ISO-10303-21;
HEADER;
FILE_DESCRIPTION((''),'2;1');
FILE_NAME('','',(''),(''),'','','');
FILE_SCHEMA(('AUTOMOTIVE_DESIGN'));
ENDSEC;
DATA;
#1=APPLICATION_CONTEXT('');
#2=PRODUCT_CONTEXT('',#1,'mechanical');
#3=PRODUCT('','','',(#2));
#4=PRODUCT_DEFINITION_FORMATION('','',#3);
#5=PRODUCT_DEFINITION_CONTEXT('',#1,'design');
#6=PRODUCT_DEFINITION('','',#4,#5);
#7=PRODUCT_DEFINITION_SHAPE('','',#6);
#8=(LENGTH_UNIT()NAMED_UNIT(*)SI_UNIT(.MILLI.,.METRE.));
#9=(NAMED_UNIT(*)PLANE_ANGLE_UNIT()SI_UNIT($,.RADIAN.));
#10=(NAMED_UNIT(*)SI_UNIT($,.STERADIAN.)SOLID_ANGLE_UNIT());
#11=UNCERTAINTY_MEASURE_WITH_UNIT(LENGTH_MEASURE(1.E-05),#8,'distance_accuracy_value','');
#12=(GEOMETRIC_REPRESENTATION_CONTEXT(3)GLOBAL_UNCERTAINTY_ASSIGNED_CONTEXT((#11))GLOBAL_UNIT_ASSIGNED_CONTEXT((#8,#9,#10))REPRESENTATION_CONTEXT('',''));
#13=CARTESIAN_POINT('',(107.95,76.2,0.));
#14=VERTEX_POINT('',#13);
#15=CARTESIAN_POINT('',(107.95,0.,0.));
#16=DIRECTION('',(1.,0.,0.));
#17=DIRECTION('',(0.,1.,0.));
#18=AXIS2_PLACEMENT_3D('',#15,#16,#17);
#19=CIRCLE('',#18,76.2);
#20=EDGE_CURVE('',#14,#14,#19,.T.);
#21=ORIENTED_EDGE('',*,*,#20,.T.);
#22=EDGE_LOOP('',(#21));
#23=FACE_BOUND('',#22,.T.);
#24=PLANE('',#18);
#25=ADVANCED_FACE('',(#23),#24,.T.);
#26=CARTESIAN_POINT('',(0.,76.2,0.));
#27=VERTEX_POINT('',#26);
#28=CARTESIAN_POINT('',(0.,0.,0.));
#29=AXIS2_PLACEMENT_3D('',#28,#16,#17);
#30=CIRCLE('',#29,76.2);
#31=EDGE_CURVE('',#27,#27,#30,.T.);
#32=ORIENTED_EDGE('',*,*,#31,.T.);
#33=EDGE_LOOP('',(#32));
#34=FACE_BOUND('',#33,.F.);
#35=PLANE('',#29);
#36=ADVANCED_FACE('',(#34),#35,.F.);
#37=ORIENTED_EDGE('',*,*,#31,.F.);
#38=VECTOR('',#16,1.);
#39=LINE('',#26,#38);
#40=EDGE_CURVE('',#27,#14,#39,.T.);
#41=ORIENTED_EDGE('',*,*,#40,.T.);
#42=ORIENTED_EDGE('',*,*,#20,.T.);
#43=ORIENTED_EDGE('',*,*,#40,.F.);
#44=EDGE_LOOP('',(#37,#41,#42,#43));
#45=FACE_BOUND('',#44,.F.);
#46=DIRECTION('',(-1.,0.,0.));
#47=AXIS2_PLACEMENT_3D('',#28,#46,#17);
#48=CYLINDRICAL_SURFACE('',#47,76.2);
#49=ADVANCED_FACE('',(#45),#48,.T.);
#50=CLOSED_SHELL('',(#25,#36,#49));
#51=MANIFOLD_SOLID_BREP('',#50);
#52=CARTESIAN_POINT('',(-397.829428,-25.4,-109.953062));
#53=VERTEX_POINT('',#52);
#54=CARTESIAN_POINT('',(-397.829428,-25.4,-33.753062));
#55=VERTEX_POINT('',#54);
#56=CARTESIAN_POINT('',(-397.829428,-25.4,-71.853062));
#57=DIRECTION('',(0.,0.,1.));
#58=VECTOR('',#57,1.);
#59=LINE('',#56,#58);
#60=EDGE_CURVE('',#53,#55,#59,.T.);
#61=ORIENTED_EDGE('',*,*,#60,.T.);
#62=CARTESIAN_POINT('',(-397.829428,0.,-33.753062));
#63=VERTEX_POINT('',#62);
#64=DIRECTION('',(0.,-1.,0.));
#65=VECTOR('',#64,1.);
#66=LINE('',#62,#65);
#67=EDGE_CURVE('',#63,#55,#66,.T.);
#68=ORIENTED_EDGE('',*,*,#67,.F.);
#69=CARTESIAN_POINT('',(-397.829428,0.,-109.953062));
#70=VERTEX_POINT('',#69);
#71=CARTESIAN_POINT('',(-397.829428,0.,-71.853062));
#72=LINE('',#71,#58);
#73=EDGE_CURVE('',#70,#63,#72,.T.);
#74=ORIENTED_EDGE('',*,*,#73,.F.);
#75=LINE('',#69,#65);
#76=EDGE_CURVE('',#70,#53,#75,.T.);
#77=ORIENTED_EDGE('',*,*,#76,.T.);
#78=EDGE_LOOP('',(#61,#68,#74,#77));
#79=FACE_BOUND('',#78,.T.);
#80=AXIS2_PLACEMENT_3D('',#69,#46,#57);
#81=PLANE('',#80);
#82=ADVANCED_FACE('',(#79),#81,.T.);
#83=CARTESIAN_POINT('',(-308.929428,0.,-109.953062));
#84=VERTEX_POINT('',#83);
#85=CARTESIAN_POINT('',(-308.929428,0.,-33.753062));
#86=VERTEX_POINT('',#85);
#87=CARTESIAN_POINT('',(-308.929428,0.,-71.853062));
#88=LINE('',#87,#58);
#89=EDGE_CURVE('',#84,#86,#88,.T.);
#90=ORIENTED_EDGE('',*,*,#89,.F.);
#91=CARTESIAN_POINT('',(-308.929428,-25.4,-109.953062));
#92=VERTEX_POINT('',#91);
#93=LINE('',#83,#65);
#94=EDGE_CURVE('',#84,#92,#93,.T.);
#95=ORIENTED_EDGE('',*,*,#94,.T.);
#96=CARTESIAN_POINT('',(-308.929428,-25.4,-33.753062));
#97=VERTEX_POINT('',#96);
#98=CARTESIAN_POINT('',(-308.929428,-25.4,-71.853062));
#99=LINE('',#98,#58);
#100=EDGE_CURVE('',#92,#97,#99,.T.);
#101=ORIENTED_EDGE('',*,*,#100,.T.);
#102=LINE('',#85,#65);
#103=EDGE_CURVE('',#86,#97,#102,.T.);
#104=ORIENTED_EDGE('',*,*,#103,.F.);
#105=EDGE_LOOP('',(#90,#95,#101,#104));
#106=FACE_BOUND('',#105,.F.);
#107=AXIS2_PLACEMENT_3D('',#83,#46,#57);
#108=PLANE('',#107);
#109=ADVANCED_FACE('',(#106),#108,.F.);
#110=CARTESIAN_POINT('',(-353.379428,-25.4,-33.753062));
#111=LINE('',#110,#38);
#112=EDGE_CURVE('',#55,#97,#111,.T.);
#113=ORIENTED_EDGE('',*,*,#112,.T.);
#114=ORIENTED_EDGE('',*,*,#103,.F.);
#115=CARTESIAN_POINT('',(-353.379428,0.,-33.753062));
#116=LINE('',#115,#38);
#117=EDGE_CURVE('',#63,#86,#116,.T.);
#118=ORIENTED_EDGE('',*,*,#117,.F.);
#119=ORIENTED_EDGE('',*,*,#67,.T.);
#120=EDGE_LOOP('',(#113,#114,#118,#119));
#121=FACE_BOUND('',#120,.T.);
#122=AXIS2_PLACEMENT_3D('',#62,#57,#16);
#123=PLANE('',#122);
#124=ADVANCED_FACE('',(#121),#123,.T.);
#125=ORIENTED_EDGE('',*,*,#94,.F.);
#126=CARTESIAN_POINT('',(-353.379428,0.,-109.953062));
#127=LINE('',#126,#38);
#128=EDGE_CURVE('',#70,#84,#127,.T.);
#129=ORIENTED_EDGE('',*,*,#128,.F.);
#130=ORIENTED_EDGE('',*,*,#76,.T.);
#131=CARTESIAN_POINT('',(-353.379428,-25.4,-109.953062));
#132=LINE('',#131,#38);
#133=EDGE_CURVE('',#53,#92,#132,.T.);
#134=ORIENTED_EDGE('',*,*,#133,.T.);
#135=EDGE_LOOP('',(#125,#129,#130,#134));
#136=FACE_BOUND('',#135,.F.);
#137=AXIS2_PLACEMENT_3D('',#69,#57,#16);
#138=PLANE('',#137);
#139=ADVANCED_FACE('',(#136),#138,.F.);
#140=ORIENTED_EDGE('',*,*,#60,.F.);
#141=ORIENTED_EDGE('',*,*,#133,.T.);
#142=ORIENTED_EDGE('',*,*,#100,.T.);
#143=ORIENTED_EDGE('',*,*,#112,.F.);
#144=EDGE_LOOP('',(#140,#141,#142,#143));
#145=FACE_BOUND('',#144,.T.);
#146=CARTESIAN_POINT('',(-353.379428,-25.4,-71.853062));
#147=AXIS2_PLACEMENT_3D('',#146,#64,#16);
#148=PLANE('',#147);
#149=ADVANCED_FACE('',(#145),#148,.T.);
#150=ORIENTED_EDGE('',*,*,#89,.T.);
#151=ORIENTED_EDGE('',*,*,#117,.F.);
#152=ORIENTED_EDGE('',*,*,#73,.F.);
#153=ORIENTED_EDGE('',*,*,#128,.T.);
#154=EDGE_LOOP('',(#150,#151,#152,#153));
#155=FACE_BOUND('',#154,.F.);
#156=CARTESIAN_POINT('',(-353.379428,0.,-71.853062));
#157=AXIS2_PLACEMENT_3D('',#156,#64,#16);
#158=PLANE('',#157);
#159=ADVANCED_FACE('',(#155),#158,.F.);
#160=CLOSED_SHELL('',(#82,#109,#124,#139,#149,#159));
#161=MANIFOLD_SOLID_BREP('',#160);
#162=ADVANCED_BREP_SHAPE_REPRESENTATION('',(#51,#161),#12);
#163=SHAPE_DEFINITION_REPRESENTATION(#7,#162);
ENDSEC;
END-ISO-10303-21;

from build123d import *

# Parameters (mm, degrees)
F0_R     = 76.2
F1_DEPTH = 107.95
F2_W     = 88.9
F2_H     = 76.2
F3_DEPTH = 25.4


with BuildPart() as f1:
    # F0 (on Right) → F1 (new body)
    with BuildSketch(Plane.YZ):
        Circle(F0_R)
    extrude(amount=F1_DEPTH)


with BuildPart() as f3:
    # F2 (on Front) → F3 (new body)
    with BuildSketch(Plane.XZ):
        with Locations((-353.379428, -71.853062)):
            Rectangle(F2_W, F2_H)
    extrude(amount=F3_DEPTH)


solid = Compound([f1.part, f3.part])
